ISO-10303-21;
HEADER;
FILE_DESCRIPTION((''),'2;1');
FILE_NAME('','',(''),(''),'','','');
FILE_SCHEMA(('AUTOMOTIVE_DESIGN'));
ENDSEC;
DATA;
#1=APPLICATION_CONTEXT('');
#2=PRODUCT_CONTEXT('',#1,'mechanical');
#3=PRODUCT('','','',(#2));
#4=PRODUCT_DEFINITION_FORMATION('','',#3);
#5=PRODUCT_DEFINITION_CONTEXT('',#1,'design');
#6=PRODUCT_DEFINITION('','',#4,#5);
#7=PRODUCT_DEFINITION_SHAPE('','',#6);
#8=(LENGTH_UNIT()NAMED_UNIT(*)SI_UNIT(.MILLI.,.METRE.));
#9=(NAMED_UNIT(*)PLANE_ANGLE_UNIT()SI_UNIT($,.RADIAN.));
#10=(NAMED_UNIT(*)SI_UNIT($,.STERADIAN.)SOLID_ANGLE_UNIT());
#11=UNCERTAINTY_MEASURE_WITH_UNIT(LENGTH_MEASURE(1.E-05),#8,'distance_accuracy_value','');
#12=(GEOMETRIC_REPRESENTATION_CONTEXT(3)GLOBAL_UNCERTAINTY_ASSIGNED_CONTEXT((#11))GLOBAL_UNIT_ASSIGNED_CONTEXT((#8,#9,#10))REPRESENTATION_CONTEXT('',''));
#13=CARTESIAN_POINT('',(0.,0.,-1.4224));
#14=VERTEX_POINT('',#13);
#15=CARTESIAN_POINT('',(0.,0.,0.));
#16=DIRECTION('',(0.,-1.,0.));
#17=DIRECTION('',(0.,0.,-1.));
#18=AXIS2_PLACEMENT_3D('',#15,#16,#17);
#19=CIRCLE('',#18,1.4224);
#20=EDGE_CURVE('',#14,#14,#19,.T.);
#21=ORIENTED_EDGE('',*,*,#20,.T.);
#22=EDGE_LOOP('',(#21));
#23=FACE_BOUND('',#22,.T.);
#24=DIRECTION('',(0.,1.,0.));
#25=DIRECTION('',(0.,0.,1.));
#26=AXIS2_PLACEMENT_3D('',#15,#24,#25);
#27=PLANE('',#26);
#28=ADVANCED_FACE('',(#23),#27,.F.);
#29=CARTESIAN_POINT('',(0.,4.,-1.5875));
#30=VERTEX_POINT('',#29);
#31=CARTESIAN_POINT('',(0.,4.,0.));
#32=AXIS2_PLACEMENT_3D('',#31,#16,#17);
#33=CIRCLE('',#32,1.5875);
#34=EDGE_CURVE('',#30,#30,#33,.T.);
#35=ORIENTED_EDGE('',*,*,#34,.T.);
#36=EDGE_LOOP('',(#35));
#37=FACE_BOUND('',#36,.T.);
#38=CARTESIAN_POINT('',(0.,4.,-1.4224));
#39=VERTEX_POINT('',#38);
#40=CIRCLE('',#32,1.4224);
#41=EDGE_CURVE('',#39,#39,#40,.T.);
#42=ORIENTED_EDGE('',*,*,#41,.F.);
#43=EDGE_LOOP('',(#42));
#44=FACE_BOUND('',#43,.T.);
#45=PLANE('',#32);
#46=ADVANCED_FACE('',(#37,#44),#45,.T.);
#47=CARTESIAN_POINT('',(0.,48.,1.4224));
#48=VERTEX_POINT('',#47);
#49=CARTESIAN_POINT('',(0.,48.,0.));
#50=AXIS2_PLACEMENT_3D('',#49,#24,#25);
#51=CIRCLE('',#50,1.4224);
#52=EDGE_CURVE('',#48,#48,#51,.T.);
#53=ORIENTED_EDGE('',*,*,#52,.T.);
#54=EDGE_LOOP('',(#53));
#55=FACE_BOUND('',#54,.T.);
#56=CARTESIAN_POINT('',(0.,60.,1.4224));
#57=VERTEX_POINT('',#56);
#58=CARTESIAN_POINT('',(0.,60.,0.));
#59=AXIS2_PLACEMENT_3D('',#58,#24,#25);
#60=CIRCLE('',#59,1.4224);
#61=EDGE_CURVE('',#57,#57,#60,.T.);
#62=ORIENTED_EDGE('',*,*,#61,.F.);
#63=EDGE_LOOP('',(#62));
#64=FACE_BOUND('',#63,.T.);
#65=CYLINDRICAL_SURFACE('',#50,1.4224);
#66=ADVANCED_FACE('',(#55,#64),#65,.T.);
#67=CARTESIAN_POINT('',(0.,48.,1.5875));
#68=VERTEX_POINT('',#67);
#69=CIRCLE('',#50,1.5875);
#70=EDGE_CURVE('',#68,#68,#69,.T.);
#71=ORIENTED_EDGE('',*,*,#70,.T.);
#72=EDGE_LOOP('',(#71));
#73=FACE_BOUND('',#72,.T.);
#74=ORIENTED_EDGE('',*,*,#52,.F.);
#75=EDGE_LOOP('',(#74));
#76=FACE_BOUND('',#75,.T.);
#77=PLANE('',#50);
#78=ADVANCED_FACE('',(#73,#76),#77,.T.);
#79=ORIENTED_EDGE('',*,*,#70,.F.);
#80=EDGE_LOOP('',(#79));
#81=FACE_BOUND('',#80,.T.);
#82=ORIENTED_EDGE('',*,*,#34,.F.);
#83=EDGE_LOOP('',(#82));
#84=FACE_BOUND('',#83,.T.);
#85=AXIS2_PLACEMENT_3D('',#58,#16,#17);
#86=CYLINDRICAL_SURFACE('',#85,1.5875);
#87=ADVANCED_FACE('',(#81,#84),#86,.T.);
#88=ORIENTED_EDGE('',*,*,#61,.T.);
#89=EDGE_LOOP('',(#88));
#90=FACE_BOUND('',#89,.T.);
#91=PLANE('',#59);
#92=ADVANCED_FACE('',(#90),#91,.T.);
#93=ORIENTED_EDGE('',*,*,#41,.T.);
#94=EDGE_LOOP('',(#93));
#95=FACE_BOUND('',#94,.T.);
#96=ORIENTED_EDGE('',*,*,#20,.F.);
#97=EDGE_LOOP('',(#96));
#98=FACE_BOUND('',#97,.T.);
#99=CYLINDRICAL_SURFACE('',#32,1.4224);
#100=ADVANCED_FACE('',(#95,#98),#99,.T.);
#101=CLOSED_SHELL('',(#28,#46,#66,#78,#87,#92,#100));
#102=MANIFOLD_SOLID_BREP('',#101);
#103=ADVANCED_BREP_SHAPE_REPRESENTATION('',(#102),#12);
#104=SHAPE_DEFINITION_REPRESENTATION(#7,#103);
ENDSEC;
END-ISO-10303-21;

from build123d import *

# Parameters (mm, degrees)
SKETCH1_R           = 1.5875
BOSS_EXTRUDE1_DEPTH = 60
SKETCH2_R           = 1.5875
SKETCH2_R_2         = 1.4224
CUT_EXTRUDE1_DEPTH  = 4
SKETCH7_R           = 1.5875
SKETCH7_R_2         = 1.4224
CUT_EXTRUDE2_DEPTH  = 12


with BuildPart() as part:
    # Sketch1 → Boss-Extrude1 (new body)
    with BuildSketch(Plane(origin=(0, 0, 0), x_dir=(1, 0, 0), z_dir=(0, 1, 0))):
        Circle(SKETCH1_R)
    extrude(amount=BOSS_EXTRUDE1_DEPTH)

    # Sketch2 → Cut-Extrude1 (cut)
    with BuildSketch(Plane.XZ):
        Circle(SKETCH2_R)
        Circle(SKETCH2_R_2, mode=Mode.SUBTRACT)
    extrude(amount=-CUT_EXTRUDE1_DEPTH, mode=Mode.SUBTRACT)

    # Sketch7 → Cut-Extrude2 (cut)
    with BuildSketch(Plane(origin=(0, 60, 0), x_dir=(1, 0, 0), z_dir=(0, 1, 0))):
        Circle(SKETCH7_R)
        Circle(SKETCH7_R_2, mode=Mode.SUBTRACT)
    extrude(amount=-CUT_EXTRUDE2_DEPTH, mode=Mode.SUBTRACT)


solid = part.part
